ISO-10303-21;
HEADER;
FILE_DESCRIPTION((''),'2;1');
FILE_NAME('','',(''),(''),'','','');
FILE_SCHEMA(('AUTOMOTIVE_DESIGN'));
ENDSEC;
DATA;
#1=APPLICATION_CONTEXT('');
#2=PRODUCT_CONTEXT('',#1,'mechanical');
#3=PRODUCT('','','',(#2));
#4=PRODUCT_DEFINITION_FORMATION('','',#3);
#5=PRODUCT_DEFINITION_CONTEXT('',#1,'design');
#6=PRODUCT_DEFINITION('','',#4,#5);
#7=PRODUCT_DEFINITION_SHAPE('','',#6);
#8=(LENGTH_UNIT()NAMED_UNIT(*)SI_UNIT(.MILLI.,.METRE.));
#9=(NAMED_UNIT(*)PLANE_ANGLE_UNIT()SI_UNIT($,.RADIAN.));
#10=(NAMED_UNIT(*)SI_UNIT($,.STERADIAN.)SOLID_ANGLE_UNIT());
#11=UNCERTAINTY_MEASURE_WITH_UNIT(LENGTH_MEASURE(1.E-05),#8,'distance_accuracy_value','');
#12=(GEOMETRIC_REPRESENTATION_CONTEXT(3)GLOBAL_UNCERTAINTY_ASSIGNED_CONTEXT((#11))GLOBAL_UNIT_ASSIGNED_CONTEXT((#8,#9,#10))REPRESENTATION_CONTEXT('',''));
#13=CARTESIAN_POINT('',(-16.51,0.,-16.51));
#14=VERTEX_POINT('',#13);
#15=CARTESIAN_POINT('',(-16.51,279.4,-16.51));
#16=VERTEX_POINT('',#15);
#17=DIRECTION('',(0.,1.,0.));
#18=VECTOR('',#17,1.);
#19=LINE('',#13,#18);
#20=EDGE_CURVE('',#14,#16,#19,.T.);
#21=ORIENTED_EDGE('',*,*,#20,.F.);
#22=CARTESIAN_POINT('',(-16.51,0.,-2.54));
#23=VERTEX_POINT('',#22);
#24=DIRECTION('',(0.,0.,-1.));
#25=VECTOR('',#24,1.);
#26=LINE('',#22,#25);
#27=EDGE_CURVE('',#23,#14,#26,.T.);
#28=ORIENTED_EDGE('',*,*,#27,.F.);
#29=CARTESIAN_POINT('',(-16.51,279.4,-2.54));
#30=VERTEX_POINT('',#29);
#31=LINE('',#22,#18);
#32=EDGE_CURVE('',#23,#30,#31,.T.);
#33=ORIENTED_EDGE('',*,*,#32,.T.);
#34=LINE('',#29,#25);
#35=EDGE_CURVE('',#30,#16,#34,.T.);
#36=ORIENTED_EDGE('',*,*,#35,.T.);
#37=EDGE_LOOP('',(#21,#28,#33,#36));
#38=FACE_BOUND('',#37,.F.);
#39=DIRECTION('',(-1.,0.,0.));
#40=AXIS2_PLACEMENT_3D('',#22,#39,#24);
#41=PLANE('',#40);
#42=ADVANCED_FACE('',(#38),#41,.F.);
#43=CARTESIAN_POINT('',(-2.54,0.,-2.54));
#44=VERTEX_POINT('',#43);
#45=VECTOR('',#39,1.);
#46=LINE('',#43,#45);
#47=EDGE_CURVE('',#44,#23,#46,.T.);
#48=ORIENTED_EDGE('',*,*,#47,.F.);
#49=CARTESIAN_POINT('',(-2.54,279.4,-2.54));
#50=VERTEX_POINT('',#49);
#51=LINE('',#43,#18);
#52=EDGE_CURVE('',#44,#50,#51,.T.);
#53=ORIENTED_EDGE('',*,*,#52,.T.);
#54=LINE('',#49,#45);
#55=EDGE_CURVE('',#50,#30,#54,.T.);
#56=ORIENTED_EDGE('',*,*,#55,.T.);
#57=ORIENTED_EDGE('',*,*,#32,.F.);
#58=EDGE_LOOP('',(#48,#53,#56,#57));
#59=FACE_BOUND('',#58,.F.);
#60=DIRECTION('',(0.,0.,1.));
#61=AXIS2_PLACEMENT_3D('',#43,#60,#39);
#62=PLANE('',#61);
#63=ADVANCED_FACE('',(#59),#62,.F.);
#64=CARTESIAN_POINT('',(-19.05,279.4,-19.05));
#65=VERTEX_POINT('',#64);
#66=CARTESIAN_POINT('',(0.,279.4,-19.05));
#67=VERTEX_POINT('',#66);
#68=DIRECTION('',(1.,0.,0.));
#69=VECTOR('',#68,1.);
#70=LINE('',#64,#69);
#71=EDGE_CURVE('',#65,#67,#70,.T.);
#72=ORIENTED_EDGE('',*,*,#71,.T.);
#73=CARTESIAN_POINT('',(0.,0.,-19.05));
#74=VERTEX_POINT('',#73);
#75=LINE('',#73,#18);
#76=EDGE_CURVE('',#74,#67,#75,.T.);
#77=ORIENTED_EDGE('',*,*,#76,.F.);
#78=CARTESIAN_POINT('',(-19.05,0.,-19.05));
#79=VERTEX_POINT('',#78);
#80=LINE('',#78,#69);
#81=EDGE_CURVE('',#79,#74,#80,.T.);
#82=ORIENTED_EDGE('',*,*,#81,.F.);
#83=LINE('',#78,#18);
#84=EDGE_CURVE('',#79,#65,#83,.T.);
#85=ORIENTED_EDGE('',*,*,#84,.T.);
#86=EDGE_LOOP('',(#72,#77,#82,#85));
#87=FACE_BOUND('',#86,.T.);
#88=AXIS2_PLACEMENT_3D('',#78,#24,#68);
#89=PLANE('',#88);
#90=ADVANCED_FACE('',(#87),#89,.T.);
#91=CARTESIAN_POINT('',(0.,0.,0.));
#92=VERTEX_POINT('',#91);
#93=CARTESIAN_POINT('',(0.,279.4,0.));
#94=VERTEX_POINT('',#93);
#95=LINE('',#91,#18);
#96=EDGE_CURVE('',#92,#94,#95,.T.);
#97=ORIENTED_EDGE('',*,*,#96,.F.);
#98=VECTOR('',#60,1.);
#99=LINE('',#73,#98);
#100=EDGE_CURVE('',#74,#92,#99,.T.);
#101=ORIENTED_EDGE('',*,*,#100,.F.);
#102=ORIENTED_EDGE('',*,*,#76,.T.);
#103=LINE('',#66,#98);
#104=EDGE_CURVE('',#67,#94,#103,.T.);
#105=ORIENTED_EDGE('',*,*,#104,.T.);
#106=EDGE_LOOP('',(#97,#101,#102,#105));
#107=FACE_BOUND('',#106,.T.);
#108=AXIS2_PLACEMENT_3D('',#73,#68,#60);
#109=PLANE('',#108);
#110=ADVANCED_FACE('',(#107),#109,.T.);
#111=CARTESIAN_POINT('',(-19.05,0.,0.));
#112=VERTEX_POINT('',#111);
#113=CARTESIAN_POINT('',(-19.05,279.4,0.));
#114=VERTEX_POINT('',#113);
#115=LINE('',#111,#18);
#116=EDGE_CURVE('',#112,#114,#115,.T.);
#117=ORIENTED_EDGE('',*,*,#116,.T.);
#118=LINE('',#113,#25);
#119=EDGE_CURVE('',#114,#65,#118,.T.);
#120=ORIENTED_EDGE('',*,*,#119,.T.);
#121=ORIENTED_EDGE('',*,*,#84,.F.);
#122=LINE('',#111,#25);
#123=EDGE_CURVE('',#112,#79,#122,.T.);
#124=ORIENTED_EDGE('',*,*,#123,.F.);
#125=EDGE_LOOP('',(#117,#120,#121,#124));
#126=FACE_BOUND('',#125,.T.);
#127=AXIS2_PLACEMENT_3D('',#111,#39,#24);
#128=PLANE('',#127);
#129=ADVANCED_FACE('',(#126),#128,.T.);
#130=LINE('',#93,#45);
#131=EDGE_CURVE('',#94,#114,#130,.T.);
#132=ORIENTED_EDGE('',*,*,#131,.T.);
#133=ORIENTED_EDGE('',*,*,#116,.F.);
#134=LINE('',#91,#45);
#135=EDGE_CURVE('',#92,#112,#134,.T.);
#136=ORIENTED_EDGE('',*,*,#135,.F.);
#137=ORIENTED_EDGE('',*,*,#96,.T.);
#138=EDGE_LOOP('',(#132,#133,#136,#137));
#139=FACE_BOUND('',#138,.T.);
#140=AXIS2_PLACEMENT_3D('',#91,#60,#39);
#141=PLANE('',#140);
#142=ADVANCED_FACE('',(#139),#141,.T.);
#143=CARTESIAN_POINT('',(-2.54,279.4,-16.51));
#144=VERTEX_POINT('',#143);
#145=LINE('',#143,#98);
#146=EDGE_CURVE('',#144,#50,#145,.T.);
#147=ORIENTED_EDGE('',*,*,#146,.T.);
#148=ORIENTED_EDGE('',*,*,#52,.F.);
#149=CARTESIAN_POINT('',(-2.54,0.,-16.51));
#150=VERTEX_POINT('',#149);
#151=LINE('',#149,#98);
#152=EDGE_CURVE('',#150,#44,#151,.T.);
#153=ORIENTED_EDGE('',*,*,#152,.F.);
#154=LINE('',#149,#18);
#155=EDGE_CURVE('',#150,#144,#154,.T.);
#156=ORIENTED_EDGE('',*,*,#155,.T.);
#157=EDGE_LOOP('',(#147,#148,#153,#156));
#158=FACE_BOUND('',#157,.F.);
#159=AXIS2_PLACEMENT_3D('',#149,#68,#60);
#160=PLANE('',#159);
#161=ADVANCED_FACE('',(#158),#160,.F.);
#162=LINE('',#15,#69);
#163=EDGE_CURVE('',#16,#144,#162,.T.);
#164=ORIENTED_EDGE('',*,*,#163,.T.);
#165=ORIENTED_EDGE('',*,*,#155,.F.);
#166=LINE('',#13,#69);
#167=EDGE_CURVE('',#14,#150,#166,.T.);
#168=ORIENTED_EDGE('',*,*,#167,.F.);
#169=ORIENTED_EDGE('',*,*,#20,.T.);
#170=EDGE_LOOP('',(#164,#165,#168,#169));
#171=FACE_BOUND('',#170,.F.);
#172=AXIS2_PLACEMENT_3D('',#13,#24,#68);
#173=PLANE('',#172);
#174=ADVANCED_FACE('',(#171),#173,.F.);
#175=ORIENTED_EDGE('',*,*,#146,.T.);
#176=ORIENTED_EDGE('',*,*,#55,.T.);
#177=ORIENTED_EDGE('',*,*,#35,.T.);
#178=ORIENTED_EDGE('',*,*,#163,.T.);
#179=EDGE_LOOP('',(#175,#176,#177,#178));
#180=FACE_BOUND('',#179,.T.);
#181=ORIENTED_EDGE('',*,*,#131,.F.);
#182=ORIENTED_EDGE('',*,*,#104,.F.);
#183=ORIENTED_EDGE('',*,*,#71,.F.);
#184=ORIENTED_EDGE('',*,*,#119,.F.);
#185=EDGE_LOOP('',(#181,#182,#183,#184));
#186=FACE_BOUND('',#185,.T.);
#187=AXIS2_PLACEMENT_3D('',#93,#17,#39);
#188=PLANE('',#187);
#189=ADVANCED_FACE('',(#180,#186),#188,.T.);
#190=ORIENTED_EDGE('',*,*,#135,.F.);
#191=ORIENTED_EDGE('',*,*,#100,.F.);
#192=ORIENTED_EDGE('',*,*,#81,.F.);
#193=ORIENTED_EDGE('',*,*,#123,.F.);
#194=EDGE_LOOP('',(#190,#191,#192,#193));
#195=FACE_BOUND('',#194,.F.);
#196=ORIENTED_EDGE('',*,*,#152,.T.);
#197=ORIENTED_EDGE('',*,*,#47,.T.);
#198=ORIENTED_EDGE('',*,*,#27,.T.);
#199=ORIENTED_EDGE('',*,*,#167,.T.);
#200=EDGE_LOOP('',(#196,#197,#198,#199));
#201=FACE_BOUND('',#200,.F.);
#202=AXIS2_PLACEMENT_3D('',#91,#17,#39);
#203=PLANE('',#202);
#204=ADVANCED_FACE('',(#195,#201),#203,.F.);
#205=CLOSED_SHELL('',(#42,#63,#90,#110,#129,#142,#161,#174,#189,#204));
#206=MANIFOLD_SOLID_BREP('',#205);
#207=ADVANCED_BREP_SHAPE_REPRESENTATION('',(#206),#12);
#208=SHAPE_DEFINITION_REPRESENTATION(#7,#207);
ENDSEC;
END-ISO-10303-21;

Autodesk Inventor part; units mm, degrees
ref_plane "YZ Plane" through (0, 0, 0) normal (1, 0, 0) x (0, 1, 0)
ref_plane "XZ Plane" through (0, 0, 0) normal (0, 1, 0) x (-1, 0, 0)
ref_plane "XY Plane" through (0, 0, 0) normal (0, 0, 1) x (1, 0, 0)
sketch "Sketch1" plane through (0, 0, 0) normal (0, 1, 0) x (-1, 0, 0)
  line L0 (0, 0) -> (19.05, 0)
  line L1 (19.05, 0) -> (19.05, -19.05)
  line L2 (19.05, -19.05) -> (0, -19.05)
  line L3 (0, -19.05) -> (0, 0)
  line L4 (2.54, -2.54) -> (16.51, -2.54)
  line L5 (16.51, -2.54) -> (16.51, -16.51)
  line L6 (16.51, -16.51) -> (2.54, -16.51)
  line L7 (2.54, -16.51) -> (2.54, -2.54)
  dimension "d0" = 19.05
  dimension "d1" = 19.05
  dimension "d2" = 2.54
extrude "Extrusion1" add sketch "Sketch1" along normal blind 279.4
properties part number "Aluminum channel guardrail mount"
